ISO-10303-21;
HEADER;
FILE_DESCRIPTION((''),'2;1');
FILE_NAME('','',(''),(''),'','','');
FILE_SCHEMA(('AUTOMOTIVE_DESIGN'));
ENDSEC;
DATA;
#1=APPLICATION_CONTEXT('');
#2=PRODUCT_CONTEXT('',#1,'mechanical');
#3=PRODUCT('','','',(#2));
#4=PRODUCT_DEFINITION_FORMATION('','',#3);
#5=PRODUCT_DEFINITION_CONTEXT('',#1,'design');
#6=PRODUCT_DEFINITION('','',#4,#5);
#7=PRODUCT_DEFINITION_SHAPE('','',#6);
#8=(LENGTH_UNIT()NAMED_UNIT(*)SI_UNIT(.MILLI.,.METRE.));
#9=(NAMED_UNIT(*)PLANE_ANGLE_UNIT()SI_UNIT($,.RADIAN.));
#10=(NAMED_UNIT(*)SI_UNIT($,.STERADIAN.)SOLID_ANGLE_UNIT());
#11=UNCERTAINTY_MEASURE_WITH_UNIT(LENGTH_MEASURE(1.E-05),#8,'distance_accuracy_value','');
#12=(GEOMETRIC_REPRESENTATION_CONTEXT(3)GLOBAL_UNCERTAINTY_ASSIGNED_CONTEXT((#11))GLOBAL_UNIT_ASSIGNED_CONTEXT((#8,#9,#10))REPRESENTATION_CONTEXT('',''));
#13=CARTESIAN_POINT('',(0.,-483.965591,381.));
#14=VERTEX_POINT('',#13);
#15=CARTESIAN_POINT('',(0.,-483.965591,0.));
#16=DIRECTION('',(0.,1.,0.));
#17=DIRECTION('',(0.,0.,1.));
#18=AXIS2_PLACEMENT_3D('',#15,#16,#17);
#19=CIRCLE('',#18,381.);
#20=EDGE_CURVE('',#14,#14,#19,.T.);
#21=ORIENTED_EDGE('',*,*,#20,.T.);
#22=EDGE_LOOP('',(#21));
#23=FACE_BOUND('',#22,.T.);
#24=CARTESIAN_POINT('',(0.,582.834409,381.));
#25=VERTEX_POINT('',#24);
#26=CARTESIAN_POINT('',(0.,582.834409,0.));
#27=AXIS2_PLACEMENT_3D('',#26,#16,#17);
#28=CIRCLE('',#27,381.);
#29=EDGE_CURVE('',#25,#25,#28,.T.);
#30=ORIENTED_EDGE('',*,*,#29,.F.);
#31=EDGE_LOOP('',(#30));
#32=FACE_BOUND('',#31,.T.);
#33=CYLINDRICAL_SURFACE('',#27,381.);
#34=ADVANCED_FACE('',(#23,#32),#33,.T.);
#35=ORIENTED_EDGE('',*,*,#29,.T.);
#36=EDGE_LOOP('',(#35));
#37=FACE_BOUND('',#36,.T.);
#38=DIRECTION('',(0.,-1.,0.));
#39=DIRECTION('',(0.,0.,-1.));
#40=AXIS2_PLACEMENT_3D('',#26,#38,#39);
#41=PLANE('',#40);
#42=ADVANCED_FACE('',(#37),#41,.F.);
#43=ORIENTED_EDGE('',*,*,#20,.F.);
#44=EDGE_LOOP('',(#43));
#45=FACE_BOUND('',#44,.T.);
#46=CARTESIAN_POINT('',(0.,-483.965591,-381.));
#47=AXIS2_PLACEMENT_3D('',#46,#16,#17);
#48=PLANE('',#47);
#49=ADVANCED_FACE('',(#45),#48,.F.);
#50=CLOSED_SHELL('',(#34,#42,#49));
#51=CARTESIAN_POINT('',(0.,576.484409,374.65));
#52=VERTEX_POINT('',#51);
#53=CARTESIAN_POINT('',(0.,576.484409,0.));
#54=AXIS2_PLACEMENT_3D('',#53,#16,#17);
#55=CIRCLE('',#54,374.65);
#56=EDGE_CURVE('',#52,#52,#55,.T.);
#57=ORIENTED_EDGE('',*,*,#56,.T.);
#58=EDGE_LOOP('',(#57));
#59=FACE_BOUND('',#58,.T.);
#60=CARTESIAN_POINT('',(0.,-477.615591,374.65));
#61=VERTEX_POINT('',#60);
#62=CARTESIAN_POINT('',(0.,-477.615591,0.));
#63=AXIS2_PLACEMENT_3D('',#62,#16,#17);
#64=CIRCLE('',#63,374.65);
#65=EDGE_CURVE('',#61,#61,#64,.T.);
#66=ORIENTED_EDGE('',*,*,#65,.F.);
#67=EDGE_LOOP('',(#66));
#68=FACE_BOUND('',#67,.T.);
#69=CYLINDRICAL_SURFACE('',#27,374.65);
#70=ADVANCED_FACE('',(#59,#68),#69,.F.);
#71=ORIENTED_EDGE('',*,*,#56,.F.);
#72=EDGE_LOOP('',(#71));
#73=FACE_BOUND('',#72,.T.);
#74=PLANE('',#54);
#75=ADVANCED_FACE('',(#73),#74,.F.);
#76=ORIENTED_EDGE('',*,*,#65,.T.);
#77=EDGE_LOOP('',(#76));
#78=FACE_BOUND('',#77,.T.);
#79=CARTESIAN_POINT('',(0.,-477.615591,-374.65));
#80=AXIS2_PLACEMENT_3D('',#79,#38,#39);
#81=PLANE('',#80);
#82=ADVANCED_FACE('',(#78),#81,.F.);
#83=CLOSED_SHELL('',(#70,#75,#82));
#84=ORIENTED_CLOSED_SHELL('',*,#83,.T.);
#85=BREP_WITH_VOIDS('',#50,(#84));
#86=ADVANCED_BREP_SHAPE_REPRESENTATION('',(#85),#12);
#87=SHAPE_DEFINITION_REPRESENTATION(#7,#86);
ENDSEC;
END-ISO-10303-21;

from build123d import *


with BuildPart() as part:
    # Sketch1 → Revolve1 (revolve)
    with BuildSketch(Plane(origin=(0, 0, 0), x_dir=(0, 0, -1), z_dir=(1, 0, 0))):
        Polygon((0, 582.834408602), (381, 582.834408602), (381, -483.965591398), (0, -483.965591398), (0, -477.615591398), (374.65, -477.615591398), (374.65, 576.484408602), (0, 576.484408602), align=None)
    revolve(axis=Axis((0, 582.834408602, 0), (0, -1, 0)))


solid = part.part
